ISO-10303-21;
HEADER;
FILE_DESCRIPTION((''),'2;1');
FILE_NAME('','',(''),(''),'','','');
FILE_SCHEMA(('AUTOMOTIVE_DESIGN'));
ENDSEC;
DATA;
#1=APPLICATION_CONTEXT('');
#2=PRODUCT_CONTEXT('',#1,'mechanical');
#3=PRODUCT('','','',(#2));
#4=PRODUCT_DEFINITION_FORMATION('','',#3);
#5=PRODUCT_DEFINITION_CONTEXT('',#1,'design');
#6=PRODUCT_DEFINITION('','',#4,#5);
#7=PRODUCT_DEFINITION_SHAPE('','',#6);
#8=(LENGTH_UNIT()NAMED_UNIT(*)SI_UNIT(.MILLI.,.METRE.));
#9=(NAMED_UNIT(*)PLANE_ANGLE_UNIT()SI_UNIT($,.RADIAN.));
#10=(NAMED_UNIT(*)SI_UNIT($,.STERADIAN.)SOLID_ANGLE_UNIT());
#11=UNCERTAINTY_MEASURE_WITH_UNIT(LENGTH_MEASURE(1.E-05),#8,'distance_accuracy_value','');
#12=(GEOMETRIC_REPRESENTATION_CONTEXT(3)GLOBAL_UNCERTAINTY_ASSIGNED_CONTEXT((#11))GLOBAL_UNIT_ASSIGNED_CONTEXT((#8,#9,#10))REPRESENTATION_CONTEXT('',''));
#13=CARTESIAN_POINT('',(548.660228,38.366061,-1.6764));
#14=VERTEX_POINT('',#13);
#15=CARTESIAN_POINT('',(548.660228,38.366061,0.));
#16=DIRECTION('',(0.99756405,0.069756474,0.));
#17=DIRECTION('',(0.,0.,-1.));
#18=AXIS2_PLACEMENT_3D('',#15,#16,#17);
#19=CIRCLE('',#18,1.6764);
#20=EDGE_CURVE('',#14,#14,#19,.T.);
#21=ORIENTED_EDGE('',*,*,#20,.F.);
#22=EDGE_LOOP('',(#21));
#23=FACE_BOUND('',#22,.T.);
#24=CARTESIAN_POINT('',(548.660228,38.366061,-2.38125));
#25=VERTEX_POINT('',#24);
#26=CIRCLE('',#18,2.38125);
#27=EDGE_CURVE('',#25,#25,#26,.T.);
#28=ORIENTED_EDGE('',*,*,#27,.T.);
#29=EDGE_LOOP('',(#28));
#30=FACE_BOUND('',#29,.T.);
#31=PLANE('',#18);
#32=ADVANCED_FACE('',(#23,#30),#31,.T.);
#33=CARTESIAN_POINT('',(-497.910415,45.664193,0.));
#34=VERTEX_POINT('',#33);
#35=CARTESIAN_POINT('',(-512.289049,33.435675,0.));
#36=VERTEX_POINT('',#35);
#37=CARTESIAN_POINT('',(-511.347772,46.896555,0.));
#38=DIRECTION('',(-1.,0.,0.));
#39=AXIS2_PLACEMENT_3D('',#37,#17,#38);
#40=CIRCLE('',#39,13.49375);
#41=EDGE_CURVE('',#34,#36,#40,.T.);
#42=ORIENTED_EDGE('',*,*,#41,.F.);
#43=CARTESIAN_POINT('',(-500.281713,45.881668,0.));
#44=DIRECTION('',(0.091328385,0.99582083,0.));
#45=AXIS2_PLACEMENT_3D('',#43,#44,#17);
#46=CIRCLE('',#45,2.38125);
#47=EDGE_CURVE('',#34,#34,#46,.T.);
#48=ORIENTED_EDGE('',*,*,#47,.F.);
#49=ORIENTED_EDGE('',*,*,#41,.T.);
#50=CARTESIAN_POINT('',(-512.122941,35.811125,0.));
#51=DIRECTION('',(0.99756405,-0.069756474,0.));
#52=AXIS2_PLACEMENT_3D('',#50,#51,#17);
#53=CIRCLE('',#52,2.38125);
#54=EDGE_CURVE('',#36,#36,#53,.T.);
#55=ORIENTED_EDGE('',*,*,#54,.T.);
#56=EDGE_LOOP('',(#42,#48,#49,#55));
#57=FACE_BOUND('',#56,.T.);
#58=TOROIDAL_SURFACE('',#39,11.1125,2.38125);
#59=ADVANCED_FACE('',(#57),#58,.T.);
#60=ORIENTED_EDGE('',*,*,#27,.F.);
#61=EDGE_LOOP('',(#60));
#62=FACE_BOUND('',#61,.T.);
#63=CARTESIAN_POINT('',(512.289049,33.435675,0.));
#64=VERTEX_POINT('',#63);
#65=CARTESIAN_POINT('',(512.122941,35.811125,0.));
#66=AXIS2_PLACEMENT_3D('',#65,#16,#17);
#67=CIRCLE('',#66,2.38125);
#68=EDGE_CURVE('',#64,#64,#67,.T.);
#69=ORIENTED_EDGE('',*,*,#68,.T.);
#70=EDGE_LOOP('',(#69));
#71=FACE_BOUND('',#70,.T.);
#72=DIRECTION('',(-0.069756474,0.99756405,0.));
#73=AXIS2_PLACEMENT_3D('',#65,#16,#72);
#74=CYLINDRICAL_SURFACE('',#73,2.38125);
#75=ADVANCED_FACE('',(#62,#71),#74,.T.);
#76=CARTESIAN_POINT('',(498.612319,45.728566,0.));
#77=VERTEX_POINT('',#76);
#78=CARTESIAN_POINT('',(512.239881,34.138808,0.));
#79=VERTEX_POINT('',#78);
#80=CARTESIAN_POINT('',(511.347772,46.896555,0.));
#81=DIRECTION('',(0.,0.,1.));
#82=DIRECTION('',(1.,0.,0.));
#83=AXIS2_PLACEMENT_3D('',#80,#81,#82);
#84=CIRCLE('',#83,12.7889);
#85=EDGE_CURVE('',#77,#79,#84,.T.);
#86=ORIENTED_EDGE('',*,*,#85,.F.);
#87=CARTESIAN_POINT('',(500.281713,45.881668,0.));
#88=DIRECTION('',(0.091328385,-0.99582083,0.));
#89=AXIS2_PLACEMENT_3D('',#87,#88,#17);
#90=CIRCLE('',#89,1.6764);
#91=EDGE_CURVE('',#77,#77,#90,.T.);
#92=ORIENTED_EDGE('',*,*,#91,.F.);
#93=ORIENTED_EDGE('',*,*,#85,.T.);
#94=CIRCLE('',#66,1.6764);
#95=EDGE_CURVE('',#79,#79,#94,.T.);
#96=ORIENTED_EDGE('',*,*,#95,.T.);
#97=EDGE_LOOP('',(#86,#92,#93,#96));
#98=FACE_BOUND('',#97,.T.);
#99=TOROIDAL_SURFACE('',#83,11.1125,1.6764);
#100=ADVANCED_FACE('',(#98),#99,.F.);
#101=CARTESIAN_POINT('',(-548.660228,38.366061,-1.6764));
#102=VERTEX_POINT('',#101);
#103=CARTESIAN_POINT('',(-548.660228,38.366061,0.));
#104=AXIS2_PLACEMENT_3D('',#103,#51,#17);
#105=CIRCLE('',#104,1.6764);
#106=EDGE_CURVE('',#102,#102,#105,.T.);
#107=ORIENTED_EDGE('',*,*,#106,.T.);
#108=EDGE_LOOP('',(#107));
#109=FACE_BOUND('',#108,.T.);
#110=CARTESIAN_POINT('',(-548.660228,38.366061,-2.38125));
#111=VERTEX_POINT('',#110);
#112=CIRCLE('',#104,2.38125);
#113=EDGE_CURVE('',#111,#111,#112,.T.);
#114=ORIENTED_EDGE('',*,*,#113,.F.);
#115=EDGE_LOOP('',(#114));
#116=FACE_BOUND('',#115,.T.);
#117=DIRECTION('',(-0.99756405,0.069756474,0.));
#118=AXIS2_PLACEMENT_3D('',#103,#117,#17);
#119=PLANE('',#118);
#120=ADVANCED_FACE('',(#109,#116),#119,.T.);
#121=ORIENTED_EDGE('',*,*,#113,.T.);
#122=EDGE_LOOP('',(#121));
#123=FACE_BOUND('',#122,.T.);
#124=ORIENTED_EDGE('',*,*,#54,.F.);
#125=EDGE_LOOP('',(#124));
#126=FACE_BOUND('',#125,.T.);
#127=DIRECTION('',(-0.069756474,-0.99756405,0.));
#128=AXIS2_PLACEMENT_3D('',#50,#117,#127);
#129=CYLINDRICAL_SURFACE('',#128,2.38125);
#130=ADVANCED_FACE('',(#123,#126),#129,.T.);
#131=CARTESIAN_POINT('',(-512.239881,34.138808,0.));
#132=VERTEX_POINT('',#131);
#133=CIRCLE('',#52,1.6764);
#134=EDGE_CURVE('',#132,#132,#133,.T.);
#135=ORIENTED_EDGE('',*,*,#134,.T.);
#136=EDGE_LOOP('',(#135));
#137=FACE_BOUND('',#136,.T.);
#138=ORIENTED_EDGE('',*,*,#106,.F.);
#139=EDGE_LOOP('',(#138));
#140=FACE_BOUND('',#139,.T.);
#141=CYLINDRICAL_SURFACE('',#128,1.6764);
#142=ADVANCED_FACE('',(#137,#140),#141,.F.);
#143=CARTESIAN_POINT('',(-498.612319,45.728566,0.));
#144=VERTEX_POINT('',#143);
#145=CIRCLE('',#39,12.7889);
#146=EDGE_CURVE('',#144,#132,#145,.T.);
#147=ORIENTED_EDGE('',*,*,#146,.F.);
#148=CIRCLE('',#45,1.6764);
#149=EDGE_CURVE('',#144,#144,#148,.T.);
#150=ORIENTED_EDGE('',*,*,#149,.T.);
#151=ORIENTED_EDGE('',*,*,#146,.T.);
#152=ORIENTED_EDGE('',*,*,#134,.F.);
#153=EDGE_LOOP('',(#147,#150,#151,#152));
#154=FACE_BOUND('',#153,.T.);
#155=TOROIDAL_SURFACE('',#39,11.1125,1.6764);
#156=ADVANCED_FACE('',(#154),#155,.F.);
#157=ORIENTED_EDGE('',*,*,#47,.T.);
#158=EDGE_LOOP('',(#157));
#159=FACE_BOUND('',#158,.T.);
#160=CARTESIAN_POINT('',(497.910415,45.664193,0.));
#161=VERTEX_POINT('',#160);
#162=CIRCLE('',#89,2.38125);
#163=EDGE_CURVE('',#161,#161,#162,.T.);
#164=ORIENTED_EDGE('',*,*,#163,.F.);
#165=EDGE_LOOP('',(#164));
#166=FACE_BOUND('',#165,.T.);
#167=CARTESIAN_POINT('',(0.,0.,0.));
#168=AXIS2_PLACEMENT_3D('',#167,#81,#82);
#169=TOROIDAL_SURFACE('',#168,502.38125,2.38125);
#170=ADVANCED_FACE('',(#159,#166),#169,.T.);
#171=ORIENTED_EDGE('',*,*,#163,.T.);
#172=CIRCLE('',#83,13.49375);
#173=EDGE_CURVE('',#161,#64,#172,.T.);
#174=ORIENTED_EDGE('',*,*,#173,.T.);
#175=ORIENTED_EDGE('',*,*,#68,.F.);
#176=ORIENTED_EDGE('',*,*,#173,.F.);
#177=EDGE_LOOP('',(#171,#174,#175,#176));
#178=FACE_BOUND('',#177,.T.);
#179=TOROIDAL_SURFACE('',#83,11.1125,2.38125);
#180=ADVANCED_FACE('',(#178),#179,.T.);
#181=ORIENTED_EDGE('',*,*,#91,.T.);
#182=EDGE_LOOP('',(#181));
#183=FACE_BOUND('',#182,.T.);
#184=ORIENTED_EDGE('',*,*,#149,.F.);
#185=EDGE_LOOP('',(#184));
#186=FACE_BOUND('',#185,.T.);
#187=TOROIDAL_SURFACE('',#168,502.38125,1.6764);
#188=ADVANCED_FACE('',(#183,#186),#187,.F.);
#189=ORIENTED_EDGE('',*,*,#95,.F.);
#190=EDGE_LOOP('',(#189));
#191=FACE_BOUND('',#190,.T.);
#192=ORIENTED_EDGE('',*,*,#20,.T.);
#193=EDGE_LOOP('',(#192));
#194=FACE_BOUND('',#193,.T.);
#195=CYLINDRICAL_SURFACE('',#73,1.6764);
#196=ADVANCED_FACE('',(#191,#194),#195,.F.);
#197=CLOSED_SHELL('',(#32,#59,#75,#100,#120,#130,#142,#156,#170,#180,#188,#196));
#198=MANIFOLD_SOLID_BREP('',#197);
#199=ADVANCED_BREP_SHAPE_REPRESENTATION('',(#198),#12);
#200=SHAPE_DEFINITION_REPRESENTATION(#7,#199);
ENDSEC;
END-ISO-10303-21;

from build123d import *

# Parameters (mm, degrees)
SKETCH2_R   = 2.38125
SKETCH2_R_2 = 1.6764


with BuildPart() as part:
    # Sweep1: sweep along a path in Sketch1
    with BuildLine(Plane(origin=(-579.310835335, -59.57996515, 0), x_dir=(0, -1, 0), z_dir=(0, 0, 1))) as sweep1_path:
        Line((-97.946025709, 1127.971062978), (-95.391089757, 1091.433776617))
        ThreePointArc((-95.391089757, 1091.433776617), (-98.011410229, 1083.459332262), (-105.461633583, 1079.592548826))
        ThreePointArc((-105.461633583, 1079.592548826), (-430.684404824, 917.938086463), (-561.96121515, 579.310835335))
    # Sketch2 → Sweep1 (sweep)
    with BuildSketch(Plane(origin=(0, 0, 0), x_dir=(0, 0, -1), z_dir=(1, 0, 0))):
        with Locations((0, 502.38125)):
            Circle(SKETCH2_R)
        with Locations((0, 502.38125)):
            Circle(SKETCH2_R_2, mode=Mode.SUBTRACT)
    sweep1 = sweep(path=sweep1_path.line)

    # Mirror1: Sweep1 across plane
    add(sweep1.mirror(Plane(origin=(0, 0, 0), x_dir=(0, 0, 1), z_dir=(1, 0, 0))))


solid = part.part
